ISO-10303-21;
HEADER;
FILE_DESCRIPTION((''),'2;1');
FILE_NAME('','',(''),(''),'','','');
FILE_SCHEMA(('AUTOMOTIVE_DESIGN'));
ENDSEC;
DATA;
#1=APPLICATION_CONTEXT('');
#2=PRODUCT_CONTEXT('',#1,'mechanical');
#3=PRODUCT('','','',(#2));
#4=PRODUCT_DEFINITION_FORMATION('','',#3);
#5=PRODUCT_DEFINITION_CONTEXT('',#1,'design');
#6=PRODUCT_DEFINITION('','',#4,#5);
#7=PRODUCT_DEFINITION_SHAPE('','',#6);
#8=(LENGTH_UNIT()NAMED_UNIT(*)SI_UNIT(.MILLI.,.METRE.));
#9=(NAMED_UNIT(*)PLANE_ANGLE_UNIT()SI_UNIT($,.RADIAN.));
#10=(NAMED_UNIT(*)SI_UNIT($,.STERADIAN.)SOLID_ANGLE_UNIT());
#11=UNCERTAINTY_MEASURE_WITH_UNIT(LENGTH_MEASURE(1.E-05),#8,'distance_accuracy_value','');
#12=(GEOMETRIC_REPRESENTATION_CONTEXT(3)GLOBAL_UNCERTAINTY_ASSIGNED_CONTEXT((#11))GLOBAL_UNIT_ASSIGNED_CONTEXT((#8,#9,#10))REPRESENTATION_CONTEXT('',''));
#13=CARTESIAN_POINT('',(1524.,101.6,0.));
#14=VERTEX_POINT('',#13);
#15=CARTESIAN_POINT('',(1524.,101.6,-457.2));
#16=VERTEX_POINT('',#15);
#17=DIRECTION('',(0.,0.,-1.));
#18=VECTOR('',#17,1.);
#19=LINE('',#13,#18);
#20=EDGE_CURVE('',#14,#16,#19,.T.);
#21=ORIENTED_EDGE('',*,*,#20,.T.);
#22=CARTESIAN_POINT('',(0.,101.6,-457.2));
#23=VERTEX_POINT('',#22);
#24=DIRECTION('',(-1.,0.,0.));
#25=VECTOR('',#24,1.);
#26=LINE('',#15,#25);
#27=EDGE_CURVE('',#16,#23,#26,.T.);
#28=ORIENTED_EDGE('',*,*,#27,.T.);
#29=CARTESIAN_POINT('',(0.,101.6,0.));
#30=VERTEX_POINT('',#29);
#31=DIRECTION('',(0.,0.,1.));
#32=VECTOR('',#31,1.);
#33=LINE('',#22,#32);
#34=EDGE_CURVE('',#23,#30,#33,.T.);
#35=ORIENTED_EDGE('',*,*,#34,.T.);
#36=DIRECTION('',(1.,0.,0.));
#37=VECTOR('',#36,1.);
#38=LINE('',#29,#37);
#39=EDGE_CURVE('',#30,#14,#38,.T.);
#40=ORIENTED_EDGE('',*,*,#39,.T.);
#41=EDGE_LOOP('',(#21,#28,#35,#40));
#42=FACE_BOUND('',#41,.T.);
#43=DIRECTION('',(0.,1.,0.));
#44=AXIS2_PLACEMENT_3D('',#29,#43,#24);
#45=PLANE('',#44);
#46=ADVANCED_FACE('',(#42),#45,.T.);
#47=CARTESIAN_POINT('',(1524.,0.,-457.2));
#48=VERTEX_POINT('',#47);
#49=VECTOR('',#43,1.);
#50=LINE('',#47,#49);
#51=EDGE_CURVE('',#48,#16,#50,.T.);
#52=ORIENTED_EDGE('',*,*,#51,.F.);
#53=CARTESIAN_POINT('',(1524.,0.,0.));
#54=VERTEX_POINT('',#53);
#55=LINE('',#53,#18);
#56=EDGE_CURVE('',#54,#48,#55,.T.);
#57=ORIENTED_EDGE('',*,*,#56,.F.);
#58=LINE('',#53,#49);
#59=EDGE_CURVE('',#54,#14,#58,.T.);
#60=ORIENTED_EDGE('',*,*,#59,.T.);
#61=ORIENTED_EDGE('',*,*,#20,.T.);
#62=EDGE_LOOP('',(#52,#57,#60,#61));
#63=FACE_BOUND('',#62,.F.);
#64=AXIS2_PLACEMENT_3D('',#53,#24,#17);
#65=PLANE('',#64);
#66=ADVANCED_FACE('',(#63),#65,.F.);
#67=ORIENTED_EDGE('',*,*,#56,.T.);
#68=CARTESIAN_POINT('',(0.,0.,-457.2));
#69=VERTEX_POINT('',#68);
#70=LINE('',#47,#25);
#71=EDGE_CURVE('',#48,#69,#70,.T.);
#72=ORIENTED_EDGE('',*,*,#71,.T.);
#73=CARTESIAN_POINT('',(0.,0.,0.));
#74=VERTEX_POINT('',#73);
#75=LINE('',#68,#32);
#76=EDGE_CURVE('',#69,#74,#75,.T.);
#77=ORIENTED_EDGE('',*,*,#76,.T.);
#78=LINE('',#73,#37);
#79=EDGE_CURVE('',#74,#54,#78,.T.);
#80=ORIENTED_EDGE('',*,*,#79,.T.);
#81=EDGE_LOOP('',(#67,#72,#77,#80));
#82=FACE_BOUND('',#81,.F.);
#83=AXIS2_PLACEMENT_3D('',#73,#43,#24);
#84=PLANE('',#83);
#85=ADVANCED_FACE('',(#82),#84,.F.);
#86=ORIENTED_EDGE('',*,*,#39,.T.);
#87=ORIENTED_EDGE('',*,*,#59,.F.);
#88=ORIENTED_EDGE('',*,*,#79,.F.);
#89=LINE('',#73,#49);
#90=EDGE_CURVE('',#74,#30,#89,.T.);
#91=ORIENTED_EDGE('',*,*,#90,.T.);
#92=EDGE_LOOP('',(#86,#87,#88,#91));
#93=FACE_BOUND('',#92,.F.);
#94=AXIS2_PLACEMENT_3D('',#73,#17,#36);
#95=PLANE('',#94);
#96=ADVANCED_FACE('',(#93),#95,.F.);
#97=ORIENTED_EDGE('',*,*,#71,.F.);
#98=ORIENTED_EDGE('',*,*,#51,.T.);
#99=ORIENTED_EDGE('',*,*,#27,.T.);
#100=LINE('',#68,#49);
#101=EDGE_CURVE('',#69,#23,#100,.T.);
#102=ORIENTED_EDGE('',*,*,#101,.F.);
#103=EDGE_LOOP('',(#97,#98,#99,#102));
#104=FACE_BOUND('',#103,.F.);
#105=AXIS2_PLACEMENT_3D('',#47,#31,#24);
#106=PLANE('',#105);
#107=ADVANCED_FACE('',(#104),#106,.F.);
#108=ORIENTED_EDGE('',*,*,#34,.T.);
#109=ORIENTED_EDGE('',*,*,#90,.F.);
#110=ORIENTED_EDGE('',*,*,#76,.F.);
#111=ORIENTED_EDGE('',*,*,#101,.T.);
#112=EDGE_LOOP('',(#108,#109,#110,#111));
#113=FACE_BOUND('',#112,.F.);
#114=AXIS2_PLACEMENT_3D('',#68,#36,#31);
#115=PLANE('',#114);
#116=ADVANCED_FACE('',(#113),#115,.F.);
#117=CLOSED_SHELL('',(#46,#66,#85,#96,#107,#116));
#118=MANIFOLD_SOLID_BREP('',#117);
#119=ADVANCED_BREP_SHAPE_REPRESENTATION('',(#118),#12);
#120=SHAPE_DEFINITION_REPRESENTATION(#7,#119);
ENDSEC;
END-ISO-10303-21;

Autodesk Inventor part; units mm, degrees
ref_plane "YZ Plane" through (0, 0, 0) normal (1, 0, 0) x (0, 1, 0)
ref_plane "XZ Plane" through (0, 0, 0) normal (0, 1, 0) x (-1, 0, 0)
ref_plane "XY Plane" through (0, 0, 0) normal (0, 0, 1) x (1, 0, 0)
sketch "Sketch1" plane through (0, 0, 0) normal (0, 1, 0) x (-1, 0, 0)
  line L0 (0, 0) -> (-1524, 0)
  line L1 (-1524, 0) -> (-1524, -457.2)
  line L2 (-1524, -457.2) -> (0, -457.2)
  line L3 (0, -457.2) -> (0, 0)
  dimension "d0" = 1524
  dimension "d1" = 457.2
extrude "Extrusion1" add sketch "Sketch1" along normal blind 101.6
properties part number "model" material "Granite, Cut, Polished"
